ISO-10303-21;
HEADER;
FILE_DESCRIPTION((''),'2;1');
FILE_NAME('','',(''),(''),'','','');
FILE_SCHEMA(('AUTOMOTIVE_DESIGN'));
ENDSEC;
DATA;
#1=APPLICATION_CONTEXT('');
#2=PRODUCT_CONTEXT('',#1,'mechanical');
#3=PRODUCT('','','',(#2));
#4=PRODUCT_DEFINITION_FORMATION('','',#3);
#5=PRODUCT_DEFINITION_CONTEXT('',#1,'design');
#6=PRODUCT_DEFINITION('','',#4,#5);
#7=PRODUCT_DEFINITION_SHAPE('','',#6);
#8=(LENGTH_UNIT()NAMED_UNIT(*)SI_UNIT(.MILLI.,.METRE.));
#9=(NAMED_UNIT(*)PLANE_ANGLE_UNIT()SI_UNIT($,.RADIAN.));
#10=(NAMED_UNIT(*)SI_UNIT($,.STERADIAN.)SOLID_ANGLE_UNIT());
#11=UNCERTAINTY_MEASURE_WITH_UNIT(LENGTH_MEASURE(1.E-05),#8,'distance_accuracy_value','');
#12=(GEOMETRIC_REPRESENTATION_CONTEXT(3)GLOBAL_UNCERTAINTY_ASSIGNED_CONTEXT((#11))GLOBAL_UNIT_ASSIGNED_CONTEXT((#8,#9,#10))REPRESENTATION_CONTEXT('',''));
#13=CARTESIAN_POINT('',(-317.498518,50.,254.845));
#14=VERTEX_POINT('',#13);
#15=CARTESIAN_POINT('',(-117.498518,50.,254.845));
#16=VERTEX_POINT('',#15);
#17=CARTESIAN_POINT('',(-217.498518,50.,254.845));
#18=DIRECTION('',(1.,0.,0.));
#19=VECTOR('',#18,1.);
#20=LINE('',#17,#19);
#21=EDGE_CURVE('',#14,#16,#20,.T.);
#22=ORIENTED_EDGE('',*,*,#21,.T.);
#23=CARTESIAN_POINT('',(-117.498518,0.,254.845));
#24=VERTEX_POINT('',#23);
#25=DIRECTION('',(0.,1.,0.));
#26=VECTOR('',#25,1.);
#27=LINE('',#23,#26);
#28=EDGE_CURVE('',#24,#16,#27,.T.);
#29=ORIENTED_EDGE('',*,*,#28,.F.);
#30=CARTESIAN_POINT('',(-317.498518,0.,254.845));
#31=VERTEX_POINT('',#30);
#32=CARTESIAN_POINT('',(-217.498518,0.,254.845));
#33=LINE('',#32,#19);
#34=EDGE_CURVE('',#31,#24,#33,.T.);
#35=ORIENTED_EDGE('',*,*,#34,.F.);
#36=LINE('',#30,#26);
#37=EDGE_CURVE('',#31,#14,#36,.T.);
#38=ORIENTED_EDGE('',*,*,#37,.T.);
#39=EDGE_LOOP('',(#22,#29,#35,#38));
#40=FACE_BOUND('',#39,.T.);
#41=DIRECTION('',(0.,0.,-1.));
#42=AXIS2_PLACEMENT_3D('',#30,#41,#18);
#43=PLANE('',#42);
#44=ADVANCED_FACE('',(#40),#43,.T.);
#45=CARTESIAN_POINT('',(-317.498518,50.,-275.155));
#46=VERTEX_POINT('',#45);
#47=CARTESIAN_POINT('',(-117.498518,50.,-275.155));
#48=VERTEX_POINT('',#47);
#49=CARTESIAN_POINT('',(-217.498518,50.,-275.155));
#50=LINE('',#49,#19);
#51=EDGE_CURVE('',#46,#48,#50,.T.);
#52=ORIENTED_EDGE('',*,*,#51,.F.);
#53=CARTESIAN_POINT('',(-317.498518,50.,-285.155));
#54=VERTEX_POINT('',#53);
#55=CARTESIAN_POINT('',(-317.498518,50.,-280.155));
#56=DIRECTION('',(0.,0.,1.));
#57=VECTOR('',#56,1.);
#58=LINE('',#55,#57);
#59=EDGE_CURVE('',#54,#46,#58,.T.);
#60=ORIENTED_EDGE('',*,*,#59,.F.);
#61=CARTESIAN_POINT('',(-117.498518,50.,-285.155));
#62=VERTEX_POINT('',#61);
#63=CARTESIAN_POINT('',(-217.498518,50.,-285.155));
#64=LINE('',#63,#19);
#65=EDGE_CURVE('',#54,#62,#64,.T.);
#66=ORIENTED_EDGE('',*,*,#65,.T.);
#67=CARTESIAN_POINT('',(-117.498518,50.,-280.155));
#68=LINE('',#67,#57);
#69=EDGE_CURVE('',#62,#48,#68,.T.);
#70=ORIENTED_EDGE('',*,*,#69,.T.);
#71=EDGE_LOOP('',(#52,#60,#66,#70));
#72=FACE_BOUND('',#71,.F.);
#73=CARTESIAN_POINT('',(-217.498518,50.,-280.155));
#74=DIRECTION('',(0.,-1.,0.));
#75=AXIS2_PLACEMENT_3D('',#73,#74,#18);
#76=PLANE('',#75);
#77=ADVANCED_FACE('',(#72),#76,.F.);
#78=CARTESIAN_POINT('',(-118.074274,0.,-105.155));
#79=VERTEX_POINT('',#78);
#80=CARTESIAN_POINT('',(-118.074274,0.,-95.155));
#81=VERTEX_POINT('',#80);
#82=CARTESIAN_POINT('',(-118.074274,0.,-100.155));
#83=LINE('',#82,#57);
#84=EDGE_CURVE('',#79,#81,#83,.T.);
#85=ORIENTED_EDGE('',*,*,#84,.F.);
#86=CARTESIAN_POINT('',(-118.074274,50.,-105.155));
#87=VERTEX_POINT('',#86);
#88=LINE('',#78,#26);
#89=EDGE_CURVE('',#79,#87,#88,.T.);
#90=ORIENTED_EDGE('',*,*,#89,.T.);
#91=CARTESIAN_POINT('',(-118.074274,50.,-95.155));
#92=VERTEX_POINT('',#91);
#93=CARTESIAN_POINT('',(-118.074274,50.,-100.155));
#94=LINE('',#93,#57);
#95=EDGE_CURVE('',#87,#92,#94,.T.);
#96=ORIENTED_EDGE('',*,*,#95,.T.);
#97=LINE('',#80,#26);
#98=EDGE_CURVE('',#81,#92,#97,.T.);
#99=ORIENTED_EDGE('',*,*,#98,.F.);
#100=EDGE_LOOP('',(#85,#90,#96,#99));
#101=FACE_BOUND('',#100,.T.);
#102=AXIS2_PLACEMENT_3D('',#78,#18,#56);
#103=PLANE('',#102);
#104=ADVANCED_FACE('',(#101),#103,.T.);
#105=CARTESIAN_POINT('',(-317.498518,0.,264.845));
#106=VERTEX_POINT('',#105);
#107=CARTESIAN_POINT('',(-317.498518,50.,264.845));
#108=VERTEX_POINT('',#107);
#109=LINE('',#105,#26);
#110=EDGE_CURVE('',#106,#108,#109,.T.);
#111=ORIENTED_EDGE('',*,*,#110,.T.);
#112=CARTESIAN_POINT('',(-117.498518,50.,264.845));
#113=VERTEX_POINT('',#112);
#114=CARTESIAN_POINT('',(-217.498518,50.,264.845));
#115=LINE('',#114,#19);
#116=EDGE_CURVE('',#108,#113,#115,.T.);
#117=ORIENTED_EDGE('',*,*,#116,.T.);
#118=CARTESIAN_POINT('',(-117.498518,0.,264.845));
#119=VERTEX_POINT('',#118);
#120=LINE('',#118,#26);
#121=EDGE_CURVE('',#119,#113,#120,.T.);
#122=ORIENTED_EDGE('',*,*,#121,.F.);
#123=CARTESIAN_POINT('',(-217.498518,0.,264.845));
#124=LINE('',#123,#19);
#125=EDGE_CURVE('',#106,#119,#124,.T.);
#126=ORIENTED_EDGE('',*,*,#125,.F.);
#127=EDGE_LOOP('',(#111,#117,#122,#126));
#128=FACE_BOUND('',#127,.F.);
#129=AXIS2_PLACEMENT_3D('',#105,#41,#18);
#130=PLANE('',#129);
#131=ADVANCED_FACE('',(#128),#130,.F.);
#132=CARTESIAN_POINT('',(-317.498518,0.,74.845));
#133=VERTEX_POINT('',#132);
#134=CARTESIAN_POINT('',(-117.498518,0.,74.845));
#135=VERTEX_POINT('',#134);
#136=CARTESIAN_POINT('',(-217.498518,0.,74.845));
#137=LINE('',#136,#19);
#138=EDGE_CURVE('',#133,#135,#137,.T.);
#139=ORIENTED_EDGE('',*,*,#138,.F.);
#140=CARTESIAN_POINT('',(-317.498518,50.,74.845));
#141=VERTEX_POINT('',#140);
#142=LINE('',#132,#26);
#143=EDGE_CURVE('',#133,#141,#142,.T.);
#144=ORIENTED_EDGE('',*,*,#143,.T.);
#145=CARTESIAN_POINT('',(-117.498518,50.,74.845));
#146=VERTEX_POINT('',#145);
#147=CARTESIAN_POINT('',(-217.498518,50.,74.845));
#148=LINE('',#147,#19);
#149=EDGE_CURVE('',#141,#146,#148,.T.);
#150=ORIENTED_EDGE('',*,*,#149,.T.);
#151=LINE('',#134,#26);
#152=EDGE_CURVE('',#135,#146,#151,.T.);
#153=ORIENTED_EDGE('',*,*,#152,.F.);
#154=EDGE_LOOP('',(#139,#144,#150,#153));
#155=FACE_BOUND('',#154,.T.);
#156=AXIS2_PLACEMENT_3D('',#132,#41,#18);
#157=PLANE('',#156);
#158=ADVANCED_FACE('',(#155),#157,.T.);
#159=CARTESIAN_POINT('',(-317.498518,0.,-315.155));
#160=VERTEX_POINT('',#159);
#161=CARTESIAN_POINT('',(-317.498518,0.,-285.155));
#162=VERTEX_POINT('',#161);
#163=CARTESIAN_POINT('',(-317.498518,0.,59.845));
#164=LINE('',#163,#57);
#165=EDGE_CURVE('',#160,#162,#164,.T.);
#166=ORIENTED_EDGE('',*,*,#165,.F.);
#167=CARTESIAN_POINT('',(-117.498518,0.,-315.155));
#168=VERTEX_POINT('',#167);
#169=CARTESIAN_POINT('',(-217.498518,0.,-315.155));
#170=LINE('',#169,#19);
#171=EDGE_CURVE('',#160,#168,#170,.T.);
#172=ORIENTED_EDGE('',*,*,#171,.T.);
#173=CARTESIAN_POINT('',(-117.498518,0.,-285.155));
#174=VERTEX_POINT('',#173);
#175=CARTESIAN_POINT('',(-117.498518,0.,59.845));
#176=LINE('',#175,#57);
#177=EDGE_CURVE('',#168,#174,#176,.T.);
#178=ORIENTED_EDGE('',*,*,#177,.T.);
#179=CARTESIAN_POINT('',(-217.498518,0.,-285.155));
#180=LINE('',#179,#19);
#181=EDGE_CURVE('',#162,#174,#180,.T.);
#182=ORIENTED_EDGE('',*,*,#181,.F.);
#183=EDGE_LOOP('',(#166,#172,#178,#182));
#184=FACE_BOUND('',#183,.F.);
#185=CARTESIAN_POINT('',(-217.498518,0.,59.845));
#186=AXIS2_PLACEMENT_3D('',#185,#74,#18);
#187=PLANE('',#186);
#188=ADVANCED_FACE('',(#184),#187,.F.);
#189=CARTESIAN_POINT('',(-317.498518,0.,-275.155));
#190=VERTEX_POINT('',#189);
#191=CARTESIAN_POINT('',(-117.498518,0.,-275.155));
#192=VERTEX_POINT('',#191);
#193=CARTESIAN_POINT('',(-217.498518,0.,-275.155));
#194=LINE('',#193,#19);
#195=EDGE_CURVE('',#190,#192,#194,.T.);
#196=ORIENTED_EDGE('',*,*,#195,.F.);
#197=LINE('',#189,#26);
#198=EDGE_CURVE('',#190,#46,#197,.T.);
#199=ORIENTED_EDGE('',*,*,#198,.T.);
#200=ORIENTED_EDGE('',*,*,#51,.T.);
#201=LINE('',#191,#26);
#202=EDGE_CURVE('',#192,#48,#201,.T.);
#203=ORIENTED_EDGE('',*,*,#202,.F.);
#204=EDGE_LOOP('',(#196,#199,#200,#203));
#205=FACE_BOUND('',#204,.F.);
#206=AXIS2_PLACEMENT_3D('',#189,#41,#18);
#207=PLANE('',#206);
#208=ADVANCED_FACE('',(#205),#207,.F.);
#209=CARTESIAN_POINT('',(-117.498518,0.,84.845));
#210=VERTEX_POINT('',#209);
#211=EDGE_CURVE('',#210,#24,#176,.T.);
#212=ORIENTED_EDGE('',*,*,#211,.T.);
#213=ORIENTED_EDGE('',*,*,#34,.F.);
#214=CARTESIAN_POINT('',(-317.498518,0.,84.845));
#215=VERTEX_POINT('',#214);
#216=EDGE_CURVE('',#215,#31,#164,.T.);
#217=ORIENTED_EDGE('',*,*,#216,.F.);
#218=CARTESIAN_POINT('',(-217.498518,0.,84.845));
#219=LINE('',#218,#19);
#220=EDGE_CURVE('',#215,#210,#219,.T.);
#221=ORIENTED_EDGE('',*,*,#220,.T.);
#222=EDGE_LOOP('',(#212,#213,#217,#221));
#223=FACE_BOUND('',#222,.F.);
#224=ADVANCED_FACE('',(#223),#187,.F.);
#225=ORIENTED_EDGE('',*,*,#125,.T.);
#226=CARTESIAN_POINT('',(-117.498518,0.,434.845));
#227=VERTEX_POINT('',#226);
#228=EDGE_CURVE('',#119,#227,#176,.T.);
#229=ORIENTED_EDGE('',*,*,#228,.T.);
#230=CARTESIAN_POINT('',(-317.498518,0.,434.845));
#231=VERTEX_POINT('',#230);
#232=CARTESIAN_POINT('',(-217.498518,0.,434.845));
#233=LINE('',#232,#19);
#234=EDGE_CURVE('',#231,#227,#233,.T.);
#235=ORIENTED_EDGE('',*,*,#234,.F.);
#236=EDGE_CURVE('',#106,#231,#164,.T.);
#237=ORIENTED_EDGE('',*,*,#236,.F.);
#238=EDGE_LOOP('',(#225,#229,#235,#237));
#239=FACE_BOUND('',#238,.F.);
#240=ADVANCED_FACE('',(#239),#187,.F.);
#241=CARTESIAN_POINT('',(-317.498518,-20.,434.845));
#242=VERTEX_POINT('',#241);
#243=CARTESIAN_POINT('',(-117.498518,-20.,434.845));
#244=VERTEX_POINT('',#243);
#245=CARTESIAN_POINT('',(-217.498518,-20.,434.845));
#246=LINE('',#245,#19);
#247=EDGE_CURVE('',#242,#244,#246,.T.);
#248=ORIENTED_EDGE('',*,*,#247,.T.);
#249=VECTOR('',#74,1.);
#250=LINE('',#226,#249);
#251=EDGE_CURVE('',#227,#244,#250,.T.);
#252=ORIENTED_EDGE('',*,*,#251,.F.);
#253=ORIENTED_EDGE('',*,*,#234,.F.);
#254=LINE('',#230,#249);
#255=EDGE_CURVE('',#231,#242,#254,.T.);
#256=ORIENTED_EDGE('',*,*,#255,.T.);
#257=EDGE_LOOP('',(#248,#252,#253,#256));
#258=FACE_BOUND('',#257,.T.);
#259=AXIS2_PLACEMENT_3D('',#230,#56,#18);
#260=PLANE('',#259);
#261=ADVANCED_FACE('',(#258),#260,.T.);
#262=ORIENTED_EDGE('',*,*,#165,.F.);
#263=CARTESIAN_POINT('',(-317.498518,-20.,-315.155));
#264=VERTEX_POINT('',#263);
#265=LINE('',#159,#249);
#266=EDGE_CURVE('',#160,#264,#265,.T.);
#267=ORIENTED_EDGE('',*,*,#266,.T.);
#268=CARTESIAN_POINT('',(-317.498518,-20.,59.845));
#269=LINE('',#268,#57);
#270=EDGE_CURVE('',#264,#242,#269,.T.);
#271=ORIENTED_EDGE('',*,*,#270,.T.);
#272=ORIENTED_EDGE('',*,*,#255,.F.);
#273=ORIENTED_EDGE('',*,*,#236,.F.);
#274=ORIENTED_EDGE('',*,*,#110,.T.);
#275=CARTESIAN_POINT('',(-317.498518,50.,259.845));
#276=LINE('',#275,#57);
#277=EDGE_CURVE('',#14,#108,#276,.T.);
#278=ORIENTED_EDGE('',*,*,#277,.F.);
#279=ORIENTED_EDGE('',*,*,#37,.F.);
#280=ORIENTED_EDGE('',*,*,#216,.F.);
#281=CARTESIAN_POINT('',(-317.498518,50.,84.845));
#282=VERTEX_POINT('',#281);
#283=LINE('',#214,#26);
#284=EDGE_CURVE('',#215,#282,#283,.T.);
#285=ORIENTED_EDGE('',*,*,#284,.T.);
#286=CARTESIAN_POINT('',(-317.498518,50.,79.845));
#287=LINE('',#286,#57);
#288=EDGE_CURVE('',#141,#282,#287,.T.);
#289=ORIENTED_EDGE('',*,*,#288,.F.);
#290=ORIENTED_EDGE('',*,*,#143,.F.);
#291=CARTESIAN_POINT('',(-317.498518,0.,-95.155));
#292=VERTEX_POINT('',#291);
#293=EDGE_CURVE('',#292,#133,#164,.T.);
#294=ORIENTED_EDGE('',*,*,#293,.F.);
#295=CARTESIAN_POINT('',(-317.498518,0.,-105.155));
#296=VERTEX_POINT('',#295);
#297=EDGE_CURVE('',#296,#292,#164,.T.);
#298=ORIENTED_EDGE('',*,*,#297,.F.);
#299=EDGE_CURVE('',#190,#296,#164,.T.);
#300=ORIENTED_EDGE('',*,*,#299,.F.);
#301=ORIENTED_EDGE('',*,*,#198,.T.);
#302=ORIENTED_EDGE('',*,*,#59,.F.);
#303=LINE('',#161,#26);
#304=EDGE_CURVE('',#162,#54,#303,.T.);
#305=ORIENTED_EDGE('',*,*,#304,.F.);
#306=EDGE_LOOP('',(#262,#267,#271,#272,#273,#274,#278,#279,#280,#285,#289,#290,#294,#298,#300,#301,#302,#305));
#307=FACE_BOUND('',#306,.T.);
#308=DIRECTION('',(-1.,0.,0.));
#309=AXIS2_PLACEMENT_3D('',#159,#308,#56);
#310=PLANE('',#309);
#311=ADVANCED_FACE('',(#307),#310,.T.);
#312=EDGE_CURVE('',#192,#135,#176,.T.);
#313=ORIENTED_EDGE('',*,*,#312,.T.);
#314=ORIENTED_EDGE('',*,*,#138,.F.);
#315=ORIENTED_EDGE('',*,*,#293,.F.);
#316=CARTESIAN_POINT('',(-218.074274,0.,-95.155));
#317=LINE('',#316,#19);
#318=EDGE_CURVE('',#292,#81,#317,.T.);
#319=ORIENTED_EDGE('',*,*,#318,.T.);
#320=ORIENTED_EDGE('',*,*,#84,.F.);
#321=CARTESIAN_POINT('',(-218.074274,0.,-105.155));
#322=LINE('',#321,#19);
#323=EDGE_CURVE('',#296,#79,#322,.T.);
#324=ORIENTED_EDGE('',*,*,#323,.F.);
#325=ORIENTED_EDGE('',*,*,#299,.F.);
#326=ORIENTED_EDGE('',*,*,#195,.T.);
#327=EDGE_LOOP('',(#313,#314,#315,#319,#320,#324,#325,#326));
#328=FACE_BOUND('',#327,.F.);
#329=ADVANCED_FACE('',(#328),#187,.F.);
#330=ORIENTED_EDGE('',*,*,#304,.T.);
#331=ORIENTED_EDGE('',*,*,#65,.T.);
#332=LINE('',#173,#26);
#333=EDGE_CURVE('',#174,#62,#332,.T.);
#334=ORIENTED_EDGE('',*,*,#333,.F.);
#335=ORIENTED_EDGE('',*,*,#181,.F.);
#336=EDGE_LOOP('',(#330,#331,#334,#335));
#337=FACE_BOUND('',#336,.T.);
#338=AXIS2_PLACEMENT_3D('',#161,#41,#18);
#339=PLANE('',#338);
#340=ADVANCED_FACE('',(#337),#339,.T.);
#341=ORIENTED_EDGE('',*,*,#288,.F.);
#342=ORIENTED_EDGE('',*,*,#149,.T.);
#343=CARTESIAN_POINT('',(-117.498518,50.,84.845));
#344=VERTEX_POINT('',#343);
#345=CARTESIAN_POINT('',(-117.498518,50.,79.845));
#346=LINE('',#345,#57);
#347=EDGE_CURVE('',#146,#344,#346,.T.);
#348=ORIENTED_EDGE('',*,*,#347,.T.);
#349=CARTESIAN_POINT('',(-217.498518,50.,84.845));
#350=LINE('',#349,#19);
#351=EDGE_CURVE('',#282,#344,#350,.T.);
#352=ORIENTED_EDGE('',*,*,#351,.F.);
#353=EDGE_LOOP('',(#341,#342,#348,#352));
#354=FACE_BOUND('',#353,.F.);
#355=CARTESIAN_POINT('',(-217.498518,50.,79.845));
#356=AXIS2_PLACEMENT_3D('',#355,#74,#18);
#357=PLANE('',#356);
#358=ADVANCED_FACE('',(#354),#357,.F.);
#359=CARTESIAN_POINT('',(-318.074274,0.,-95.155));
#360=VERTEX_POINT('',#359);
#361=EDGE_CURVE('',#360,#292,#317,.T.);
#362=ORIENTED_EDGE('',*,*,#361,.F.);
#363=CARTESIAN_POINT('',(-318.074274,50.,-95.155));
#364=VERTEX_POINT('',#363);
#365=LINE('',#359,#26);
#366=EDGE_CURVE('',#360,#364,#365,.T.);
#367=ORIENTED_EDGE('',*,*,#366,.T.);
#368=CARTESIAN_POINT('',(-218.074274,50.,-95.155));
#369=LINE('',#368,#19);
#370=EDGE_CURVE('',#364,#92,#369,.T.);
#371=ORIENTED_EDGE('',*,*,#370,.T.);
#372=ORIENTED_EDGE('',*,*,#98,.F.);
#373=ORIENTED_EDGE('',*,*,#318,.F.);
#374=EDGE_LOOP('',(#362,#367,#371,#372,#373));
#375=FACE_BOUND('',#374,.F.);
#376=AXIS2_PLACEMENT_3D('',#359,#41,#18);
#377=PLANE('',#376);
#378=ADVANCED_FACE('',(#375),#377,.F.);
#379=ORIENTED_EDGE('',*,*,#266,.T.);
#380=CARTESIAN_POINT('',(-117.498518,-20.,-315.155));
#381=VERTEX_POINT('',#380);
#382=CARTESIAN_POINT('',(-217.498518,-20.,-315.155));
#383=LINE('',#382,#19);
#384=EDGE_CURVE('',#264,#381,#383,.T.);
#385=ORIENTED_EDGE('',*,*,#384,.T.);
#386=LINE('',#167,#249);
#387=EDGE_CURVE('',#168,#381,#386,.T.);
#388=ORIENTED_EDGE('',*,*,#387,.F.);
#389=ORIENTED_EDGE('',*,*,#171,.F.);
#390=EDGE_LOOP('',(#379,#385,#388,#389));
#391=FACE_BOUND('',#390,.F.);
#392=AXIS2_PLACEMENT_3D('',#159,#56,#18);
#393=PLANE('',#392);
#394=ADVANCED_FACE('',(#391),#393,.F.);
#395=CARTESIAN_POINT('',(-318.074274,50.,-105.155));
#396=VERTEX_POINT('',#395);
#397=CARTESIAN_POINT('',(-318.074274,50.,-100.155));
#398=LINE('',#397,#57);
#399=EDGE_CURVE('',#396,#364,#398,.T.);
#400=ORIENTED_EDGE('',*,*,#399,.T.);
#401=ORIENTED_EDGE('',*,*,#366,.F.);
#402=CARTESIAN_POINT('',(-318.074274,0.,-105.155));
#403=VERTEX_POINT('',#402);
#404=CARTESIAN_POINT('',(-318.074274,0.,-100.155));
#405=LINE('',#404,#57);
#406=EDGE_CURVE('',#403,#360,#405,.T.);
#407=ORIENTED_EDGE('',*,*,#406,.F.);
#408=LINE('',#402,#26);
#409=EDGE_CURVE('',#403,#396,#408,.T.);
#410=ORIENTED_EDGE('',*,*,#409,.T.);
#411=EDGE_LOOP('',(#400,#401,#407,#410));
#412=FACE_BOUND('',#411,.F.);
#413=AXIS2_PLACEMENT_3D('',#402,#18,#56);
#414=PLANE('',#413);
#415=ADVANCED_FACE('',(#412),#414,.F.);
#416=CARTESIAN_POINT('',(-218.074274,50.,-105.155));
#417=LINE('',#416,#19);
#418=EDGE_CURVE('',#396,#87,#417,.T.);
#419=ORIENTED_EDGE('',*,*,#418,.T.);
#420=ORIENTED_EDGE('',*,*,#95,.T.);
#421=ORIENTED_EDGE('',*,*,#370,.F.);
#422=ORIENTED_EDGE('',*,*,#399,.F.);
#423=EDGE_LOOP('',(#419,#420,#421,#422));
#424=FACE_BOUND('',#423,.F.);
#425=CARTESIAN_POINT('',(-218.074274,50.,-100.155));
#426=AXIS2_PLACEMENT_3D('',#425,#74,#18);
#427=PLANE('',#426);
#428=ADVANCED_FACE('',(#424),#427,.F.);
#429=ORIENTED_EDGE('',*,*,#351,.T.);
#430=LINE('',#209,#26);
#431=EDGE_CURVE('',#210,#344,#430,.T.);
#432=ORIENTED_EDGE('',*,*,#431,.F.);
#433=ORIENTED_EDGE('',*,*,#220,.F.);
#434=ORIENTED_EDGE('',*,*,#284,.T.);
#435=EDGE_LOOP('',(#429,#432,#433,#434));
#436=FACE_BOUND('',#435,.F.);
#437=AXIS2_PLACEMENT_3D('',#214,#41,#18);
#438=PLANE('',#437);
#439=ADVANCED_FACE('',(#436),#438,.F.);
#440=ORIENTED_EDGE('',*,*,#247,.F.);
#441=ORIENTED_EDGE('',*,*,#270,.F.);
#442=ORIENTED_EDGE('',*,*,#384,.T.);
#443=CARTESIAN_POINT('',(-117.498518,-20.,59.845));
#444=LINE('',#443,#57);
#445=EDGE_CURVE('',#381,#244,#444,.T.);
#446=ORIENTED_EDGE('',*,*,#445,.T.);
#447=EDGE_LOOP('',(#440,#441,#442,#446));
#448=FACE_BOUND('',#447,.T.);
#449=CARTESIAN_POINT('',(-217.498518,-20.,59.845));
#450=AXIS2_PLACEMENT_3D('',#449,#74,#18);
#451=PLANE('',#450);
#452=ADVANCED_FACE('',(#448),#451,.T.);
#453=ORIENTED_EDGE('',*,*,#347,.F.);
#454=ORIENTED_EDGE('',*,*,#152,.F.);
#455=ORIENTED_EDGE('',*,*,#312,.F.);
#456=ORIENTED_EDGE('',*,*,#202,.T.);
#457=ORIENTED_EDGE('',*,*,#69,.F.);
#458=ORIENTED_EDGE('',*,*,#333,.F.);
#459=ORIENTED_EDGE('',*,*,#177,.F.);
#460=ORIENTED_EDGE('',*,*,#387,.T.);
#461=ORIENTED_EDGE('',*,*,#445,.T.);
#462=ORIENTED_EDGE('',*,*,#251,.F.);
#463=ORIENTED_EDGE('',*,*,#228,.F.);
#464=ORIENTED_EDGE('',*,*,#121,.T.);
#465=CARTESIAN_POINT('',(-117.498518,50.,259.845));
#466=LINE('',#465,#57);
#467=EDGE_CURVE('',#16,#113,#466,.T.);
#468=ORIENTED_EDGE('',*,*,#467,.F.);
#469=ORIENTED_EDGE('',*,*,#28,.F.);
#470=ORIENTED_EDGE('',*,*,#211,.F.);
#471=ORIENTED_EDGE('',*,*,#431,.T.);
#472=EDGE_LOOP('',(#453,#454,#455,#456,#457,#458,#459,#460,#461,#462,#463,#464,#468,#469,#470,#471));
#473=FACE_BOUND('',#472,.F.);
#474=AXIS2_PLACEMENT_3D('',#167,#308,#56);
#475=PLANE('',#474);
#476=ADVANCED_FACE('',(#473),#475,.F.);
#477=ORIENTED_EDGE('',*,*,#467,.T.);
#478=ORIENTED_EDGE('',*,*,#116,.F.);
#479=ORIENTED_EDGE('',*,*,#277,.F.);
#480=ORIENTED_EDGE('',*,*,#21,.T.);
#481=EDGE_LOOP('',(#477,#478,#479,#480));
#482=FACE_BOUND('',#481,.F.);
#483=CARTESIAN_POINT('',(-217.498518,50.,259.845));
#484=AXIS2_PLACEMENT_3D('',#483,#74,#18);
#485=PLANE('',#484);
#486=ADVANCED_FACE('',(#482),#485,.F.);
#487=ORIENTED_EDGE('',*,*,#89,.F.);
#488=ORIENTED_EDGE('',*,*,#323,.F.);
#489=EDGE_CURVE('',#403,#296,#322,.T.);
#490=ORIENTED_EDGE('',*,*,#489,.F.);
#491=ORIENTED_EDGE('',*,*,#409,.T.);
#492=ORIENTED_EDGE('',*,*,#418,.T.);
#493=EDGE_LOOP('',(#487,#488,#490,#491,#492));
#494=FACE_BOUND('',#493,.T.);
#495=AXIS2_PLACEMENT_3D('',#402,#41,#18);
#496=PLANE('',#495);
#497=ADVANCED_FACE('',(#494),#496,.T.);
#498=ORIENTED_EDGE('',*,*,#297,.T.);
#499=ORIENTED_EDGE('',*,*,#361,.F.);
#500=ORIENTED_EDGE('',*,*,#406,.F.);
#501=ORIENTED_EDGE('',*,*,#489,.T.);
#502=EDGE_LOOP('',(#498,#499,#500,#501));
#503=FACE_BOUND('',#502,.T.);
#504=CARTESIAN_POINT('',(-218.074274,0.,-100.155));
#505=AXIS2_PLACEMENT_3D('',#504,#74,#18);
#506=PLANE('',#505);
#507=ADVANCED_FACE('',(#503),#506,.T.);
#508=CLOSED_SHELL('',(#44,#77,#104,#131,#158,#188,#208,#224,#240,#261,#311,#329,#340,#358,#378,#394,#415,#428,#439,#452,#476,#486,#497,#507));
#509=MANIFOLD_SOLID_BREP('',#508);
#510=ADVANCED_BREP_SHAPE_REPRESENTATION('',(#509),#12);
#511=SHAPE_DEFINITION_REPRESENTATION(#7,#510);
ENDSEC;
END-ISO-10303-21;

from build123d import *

# Parameters (mm, degrees)
F0_W     = 200
F0_H     = 750
F1_DEPTH = 20
F2_W     = 200
F2_H     = 10
F3_DEPTH = 50
F4_W     = 200
F4_H     = 10
F5_DEPTH = 50
F6_W     = 200
F6_H     = 10
F7_DEPTH = 50
F8_W     = 200
F8_H     = 10
F9_DEPTH = 50


with BuildPart() as f1:
    # F0 (on Front) → F1 (new body)
    with BuildSketch(Plane.XZ):
        with Locations((-217.498518, 59.845)):
            Rectangle(F0_W, F0_H)
    extrude(amount=F1_DEPTH)

    # F2 (on Front) → F3 (join)
    with BuildSketch(Plane.XZ):
        with Locations((-218.074274, -100.155)):
            Rectangle(F2_W, F2_H)
    extrude(amount=-F3_DEPTH)

    # F4 (on Front) → F5 (join)
    with BuildSketch(Plane.XZ):
        with Locations((-217.498518, 79.845)):
            Rectangle(F4_W, F4_H)
    extrude(amount=-F5_DEPTH)

    # F6 (on Front) → F7 (join)
    with BuildSketch(Plane.XZ):
        with Locations((-217.498518, 259.845)):
            Rectangle(F6_W, F6_H)
    extrude(amount=-F7_DEPTH)

    # F8 (on Front) → F9 (join)
    with BuildSketch(Plane.XZ):
        with Locations((-217.498518, -280.155)):
            Rectangle(F8_W, F8_H)
    extrude(amount=-F9_DEPTH)


solid = f1.part
